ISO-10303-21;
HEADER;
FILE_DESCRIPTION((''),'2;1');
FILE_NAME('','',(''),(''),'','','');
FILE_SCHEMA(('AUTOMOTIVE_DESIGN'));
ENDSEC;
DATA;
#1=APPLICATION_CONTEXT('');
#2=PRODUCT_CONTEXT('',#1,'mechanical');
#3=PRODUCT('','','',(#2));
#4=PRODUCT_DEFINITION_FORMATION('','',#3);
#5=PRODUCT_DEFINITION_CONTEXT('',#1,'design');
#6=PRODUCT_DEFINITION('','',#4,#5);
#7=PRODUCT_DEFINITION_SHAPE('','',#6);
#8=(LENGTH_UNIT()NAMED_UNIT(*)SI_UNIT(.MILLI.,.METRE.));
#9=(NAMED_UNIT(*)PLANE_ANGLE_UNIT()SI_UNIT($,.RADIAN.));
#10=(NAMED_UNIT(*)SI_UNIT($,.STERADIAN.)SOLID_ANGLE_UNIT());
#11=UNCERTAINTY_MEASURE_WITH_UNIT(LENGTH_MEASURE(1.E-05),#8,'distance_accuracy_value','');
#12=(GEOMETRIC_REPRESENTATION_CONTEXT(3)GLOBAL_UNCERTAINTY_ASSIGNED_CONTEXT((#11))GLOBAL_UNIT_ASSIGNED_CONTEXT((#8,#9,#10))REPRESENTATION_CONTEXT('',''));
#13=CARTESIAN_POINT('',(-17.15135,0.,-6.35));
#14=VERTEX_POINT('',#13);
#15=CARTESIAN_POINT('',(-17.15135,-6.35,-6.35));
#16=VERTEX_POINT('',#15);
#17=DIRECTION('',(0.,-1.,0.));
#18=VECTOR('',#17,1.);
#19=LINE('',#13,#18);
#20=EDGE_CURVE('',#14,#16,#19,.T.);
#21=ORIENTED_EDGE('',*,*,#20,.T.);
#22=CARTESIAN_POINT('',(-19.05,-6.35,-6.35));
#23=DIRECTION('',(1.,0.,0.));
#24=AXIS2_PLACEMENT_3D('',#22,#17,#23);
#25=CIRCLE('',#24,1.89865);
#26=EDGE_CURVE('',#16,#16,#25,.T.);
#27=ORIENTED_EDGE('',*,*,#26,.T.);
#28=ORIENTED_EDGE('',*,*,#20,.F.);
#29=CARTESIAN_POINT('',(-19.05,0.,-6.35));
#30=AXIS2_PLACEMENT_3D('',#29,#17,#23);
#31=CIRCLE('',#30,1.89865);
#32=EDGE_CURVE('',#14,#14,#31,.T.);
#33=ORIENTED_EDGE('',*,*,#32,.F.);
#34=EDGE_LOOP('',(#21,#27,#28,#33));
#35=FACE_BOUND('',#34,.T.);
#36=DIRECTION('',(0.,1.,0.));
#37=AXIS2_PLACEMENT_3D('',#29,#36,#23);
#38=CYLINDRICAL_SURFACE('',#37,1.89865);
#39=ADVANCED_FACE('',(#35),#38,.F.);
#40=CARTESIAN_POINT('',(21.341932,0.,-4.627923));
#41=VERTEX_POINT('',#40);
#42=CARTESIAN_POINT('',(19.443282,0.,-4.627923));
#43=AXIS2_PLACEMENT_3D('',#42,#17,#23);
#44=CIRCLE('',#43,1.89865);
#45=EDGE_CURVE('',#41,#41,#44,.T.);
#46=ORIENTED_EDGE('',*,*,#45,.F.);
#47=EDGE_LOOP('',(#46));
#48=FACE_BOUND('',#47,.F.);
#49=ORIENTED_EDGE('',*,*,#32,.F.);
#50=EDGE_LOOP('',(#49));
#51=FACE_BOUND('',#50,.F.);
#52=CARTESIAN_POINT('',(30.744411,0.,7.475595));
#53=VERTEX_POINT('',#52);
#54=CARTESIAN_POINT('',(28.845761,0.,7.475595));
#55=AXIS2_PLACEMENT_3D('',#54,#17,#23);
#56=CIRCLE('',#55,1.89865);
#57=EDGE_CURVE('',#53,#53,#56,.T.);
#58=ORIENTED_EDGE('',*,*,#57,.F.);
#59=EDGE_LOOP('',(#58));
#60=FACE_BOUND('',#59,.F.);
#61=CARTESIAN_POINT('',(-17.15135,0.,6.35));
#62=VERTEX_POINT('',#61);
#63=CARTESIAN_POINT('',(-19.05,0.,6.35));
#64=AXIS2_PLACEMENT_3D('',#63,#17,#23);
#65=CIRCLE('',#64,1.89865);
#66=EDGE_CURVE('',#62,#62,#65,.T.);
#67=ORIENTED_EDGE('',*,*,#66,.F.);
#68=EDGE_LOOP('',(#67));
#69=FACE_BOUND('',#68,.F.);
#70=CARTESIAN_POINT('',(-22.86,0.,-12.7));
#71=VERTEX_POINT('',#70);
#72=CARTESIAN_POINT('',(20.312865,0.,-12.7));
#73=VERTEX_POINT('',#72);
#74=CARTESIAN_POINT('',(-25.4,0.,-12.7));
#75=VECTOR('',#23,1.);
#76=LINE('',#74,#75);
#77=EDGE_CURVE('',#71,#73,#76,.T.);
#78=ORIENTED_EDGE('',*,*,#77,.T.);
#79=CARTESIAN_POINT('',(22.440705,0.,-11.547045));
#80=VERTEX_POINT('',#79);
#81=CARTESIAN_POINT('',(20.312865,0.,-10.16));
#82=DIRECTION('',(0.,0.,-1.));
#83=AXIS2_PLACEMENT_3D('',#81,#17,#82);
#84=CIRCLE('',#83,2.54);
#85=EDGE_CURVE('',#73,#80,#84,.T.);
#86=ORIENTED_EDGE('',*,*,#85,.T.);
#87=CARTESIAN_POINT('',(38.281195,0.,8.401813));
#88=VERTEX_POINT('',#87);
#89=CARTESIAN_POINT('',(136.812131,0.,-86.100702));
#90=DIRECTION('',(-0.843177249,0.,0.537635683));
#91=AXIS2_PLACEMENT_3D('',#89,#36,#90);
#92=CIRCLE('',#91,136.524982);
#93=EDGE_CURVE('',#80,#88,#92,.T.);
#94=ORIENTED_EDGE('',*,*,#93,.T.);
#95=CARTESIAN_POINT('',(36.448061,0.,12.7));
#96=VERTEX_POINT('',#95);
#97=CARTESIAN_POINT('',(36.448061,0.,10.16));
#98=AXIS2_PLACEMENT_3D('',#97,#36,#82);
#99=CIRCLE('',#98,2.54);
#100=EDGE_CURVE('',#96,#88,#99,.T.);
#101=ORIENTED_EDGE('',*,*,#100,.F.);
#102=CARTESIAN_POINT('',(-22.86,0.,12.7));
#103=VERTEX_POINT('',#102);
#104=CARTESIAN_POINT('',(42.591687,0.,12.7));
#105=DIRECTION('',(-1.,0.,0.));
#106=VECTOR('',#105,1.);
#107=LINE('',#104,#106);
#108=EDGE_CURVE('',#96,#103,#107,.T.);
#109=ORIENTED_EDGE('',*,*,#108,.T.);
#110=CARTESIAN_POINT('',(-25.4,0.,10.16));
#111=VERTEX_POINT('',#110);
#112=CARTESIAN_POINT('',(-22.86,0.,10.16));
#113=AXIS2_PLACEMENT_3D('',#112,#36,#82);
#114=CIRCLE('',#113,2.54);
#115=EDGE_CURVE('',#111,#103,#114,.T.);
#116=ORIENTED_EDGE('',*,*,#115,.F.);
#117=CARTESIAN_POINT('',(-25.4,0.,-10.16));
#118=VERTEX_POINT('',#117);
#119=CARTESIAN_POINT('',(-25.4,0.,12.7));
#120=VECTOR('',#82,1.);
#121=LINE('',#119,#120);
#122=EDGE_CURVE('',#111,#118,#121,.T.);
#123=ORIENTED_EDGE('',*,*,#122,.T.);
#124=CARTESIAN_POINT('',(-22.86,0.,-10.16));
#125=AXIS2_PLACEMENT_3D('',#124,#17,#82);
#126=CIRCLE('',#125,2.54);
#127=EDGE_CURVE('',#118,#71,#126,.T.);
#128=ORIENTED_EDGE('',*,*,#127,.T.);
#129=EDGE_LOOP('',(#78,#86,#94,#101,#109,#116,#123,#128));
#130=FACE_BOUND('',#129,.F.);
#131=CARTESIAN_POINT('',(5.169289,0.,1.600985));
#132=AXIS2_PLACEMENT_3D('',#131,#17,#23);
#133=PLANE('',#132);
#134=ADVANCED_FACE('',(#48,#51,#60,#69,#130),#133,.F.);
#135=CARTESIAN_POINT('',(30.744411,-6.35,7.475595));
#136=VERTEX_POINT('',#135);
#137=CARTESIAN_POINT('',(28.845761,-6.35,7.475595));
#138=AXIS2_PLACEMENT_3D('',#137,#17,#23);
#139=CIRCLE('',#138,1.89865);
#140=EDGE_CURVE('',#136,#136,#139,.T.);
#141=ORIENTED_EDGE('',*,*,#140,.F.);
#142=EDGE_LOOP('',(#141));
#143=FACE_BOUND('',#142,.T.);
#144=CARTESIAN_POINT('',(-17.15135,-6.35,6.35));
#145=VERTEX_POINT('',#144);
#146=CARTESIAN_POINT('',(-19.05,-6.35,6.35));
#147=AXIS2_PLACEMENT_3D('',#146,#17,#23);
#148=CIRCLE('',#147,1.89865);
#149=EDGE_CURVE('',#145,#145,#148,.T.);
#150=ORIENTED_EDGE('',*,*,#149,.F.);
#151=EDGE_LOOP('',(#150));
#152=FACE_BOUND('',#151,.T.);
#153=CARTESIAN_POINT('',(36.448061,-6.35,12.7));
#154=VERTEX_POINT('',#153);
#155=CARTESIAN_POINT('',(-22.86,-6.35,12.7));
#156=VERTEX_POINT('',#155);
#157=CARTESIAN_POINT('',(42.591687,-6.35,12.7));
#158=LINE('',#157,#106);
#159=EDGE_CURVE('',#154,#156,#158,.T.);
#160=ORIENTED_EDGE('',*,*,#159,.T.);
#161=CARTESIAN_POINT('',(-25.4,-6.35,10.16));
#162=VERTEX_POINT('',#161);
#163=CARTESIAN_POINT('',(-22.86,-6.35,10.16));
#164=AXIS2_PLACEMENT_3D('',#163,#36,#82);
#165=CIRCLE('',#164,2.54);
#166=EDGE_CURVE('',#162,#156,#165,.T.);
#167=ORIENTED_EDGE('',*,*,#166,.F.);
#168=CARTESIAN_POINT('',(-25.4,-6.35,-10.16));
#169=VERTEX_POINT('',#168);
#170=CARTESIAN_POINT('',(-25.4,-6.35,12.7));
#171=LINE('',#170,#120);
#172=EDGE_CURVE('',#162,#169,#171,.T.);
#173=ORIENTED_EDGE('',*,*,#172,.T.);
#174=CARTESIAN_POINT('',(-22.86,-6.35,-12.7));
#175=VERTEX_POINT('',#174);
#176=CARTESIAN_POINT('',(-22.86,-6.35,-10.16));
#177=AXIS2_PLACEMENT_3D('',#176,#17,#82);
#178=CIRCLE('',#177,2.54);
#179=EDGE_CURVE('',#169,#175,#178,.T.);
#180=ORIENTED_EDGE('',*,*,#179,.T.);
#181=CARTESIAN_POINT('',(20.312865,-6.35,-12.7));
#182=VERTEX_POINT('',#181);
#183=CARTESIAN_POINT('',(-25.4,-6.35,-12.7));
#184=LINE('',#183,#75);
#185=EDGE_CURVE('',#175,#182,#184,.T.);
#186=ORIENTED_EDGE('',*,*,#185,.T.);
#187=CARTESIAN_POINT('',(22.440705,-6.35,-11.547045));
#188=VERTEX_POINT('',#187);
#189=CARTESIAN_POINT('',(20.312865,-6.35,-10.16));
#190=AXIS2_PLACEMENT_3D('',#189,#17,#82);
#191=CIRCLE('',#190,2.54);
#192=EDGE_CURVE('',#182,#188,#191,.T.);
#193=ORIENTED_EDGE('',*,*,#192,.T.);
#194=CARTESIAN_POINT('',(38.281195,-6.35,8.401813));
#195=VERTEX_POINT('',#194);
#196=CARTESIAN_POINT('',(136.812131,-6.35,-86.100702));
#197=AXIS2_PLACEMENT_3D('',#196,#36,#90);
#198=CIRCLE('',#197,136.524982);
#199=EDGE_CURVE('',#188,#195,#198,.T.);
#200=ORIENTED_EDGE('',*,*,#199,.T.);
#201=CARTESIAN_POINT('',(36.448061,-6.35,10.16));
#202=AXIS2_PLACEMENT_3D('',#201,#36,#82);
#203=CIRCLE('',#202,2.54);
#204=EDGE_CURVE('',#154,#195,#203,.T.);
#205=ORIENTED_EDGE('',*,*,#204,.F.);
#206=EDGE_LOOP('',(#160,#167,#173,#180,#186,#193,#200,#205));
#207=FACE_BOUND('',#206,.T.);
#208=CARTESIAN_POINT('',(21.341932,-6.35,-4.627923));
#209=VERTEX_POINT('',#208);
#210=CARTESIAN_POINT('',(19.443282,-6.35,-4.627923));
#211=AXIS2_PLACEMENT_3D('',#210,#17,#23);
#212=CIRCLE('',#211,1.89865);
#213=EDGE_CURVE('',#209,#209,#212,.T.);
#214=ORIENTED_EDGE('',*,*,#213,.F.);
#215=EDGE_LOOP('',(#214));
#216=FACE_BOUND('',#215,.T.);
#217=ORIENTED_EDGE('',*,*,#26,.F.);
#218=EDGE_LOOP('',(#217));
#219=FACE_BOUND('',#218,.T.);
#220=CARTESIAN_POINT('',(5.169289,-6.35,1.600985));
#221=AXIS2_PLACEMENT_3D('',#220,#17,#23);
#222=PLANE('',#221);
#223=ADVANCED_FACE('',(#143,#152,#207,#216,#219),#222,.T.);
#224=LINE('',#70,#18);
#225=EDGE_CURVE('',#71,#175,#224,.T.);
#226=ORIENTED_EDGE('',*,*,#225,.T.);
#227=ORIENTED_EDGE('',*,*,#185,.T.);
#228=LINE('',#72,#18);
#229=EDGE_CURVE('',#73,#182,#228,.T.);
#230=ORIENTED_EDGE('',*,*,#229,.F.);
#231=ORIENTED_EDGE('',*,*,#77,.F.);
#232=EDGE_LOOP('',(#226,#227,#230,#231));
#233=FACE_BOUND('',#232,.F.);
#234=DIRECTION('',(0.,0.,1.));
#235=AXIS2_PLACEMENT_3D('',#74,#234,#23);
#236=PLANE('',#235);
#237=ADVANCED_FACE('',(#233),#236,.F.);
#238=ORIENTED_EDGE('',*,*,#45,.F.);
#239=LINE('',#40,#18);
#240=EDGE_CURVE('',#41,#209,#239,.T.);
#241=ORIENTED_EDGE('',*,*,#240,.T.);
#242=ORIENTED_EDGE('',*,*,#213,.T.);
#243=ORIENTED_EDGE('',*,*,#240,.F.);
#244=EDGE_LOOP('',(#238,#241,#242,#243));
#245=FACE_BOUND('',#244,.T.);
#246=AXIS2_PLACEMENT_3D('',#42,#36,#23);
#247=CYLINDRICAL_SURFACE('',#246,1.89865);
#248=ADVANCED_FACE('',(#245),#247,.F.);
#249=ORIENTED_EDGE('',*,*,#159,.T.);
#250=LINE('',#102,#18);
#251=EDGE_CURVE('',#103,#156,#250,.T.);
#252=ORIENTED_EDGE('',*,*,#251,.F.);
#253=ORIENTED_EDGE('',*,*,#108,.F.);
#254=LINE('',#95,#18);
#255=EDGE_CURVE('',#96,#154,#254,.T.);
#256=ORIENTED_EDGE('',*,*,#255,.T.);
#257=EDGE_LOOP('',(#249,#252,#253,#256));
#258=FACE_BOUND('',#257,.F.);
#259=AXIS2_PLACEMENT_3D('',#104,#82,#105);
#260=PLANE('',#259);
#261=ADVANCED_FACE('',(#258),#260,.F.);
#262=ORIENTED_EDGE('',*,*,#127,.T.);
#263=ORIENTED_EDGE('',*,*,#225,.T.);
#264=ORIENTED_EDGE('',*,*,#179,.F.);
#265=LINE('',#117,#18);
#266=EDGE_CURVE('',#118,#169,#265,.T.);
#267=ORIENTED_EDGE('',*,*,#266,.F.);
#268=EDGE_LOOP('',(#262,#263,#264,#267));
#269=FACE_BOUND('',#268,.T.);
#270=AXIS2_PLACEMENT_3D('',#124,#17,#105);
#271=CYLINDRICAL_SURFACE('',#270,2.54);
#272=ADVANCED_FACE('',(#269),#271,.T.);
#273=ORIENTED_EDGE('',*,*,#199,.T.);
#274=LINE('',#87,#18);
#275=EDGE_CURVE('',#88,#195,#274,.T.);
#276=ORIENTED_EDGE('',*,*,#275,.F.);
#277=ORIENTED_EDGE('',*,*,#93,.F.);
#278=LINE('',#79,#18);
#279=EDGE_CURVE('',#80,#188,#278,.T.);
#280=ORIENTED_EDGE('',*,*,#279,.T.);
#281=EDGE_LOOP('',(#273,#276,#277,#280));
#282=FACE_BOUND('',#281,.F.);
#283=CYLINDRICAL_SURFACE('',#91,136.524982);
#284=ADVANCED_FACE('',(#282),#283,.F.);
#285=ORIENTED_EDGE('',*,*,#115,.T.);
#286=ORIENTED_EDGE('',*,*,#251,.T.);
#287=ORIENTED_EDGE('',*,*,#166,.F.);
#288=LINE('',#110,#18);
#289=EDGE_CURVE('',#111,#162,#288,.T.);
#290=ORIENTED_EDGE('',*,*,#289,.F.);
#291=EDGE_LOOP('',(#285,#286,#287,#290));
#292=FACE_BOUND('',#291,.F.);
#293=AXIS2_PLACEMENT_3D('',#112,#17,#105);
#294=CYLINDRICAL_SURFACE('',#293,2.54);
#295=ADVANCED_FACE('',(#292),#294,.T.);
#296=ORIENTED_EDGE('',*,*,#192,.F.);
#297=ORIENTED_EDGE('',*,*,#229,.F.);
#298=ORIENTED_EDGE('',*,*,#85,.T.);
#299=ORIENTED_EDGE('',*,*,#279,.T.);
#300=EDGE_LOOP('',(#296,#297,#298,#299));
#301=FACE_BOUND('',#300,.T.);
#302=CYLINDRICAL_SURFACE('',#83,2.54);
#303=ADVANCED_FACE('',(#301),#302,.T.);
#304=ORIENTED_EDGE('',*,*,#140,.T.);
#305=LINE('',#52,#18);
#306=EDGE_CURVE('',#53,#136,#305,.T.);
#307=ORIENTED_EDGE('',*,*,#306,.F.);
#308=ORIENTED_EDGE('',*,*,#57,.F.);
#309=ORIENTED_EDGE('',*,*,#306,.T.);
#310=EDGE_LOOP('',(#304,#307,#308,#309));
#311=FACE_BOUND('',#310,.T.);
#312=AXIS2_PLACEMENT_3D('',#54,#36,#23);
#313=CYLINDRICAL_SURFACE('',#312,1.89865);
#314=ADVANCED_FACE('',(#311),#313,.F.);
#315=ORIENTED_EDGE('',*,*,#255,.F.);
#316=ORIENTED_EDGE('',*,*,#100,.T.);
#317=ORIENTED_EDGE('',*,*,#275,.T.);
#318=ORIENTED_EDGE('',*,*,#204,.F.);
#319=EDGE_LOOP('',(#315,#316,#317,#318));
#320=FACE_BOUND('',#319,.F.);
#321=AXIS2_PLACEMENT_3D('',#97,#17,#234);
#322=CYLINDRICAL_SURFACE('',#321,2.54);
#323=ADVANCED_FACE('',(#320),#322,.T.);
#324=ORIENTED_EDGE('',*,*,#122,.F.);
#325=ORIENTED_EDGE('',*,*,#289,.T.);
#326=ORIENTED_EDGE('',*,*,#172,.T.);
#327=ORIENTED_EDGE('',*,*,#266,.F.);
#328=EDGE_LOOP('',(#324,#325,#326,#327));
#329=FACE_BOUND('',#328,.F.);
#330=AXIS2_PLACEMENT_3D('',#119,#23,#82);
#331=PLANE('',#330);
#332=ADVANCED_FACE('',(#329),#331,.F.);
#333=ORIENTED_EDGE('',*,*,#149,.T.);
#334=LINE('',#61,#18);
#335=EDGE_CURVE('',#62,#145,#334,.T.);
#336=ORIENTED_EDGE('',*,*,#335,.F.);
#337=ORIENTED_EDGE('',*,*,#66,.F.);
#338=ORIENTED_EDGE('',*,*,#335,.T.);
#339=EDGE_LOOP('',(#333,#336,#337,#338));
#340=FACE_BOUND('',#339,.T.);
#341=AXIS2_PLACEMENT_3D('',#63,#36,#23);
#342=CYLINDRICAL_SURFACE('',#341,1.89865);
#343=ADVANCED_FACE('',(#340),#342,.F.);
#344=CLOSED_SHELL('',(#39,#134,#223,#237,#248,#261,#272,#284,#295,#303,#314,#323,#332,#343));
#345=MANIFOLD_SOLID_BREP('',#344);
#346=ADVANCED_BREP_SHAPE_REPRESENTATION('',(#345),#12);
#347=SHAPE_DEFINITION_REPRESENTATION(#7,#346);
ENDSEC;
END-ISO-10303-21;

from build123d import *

# Parameters (mm, degrees)
F0_R     = 1.89865
F1_DEPTH = 6.35
F2_R     = 2.54


with BuildPart() as f1:
    # F0 (on Front) → F1 (new body)
    with BuildSketch(Plane.XZ):
        with BuildLine():
            Line((25.4, 12.7), (-25.4, 12.7))
            Line((-25.4, 12.7), (-25.4, -12.7))
            Line((-25.4, -12.7), (21.697372, -12.7))
            ThreePointArc((21.697372, -12.7), (31.376858, 0.631495), (42.591687, 12.7))
            Line((42.591687, 12.7), (25.4, 12.7))
        make_face()
        with Locations((-19.05, -6.35)):
            Circle(F0_R, mode=Mode.SUBTRACT)
        with Locations((19.443282, -4.627923)):
            Circle(F0_R, mode=Mode.SUBTRACT)
        with Locations((-19.05, 6.35)):
            Circle(F0_R, mode=Mode.SUBTRACT)
        with Locations((28.845761, 7.475595)):
            Circle(F0_R, mode=Mode.SUBTRACT)
    extrude(amount=F1_DEPTH)

    # F2
    f2_edges = [f1.edges().sort_by_distance(p)[0] for p in [
        (-25.4, -3.175, 12.7),
        (-25.4, -3.175, -12.7),
        (42.591687, -3.175, 12.7),
        (21.697372, -3.175, -12.7),
    ]]
    fillet(f2_edges, radius=F2_R)


solid = f1.part
